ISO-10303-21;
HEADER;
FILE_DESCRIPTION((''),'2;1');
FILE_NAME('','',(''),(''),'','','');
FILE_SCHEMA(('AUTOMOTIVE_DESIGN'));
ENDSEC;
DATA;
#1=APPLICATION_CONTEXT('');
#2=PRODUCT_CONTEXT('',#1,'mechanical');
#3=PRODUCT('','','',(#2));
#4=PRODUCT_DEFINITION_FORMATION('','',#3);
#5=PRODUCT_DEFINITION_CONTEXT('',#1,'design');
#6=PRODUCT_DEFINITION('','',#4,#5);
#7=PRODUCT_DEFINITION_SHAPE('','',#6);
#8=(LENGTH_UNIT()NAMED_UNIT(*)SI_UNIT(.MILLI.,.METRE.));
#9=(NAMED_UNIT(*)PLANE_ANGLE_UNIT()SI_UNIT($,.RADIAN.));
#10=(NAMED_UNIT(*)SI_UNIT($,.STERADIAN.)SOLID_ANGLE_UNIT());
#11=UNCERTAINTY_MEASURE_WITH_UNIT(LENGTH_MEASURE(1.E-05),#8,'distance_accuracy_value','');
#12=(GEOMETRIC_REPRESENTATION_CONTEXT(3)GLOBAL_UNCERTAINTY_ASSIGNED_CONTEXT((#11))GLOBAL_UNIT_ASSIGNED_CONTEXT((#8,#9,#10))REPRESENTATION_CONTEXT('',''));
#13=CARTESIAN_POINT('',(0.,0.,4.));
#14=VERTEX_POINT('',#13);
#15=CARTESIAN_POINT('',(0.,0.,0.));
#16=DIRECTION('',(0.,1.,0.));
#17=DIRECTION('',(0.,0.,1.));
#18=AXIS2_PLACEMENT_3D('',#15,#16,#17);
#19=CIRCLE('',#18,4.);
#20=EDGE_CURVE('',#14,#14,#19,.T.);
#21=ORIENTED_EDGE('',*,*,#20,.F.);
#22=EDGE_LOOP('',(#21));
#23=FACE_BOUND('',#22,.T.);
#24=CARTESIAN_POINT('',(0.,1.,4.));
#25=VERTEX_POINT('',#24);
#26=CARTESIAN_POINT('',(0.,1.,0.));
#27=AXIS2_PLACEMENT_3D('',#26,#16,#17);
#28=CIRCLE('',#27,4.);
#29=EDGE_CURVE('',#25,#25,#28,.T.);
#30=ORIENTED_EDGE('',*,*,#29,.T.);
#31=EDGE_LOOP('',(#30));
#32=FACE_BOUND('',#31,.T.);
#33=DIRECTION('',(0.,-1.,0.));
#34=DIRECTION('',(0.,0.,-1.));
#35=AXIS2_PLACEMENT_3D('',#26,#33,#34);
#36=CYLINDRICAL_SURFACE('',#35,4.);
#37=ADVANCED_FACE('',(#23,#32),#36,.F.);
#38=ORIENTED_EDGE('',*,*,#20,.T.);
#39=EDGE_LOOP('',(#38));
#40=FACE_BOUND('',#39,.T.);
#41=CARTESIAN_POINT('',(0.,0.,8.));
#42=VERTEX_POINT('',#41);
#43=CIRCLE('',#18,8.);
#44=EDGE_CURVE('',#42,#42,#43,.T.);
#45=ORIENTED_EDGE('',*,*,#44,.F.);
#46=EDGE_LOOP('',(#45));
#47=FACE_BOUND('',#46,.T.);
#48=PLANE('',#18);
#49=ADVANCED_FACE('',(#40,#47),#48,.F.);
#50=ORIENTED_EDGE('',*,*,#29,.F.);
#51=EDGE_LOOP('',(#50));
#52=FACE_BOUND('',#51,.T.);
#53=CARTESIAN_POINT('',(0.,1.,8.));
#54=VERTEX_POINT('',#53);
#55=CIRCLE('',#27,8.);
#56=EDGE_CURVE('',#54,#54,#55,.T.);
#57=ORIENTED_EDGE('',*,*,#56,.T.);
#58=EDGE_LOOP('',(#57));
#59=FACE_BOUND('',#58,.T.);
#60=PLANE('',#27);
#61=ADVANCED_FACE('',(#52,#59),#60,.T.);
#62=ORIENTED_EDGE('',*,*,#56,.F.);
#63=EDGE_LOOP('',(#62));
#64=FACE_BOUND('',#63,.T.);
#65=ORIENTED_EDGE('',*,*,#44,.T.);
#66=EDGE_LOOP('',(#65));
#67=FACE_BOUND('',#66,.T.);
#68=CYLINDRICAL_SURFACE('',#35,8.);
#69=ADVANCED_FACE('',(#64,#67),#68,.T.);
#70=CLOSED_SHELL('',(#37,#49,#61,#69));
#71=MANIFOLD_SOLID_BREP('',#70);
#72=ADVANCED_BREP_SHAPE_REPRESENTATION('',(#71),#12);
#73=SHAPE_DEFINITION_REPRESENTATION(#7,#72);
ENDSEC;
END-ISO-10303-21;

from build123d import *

# Parameters (mm, degrees)
SKETCH1_R      = 8
SKETCH1_R_2    = 4
EXTRUDE1_DEPTH = 1


with BuildPart() as part:
    # Sketch1 → Extrude1 (new body)
    with BuildSketch(Plane(origin=(0, 0, 0), x_dir=(1, 0, 0), z_dir=(0, 1, 0))):
        Circle(SKETCH1_R)
        Circle(SKETCH1_R_2, mode=Mode.SUBTRACT)
    extrude(amount=EXTRUDE1_DEPTH)


solid = part.part
